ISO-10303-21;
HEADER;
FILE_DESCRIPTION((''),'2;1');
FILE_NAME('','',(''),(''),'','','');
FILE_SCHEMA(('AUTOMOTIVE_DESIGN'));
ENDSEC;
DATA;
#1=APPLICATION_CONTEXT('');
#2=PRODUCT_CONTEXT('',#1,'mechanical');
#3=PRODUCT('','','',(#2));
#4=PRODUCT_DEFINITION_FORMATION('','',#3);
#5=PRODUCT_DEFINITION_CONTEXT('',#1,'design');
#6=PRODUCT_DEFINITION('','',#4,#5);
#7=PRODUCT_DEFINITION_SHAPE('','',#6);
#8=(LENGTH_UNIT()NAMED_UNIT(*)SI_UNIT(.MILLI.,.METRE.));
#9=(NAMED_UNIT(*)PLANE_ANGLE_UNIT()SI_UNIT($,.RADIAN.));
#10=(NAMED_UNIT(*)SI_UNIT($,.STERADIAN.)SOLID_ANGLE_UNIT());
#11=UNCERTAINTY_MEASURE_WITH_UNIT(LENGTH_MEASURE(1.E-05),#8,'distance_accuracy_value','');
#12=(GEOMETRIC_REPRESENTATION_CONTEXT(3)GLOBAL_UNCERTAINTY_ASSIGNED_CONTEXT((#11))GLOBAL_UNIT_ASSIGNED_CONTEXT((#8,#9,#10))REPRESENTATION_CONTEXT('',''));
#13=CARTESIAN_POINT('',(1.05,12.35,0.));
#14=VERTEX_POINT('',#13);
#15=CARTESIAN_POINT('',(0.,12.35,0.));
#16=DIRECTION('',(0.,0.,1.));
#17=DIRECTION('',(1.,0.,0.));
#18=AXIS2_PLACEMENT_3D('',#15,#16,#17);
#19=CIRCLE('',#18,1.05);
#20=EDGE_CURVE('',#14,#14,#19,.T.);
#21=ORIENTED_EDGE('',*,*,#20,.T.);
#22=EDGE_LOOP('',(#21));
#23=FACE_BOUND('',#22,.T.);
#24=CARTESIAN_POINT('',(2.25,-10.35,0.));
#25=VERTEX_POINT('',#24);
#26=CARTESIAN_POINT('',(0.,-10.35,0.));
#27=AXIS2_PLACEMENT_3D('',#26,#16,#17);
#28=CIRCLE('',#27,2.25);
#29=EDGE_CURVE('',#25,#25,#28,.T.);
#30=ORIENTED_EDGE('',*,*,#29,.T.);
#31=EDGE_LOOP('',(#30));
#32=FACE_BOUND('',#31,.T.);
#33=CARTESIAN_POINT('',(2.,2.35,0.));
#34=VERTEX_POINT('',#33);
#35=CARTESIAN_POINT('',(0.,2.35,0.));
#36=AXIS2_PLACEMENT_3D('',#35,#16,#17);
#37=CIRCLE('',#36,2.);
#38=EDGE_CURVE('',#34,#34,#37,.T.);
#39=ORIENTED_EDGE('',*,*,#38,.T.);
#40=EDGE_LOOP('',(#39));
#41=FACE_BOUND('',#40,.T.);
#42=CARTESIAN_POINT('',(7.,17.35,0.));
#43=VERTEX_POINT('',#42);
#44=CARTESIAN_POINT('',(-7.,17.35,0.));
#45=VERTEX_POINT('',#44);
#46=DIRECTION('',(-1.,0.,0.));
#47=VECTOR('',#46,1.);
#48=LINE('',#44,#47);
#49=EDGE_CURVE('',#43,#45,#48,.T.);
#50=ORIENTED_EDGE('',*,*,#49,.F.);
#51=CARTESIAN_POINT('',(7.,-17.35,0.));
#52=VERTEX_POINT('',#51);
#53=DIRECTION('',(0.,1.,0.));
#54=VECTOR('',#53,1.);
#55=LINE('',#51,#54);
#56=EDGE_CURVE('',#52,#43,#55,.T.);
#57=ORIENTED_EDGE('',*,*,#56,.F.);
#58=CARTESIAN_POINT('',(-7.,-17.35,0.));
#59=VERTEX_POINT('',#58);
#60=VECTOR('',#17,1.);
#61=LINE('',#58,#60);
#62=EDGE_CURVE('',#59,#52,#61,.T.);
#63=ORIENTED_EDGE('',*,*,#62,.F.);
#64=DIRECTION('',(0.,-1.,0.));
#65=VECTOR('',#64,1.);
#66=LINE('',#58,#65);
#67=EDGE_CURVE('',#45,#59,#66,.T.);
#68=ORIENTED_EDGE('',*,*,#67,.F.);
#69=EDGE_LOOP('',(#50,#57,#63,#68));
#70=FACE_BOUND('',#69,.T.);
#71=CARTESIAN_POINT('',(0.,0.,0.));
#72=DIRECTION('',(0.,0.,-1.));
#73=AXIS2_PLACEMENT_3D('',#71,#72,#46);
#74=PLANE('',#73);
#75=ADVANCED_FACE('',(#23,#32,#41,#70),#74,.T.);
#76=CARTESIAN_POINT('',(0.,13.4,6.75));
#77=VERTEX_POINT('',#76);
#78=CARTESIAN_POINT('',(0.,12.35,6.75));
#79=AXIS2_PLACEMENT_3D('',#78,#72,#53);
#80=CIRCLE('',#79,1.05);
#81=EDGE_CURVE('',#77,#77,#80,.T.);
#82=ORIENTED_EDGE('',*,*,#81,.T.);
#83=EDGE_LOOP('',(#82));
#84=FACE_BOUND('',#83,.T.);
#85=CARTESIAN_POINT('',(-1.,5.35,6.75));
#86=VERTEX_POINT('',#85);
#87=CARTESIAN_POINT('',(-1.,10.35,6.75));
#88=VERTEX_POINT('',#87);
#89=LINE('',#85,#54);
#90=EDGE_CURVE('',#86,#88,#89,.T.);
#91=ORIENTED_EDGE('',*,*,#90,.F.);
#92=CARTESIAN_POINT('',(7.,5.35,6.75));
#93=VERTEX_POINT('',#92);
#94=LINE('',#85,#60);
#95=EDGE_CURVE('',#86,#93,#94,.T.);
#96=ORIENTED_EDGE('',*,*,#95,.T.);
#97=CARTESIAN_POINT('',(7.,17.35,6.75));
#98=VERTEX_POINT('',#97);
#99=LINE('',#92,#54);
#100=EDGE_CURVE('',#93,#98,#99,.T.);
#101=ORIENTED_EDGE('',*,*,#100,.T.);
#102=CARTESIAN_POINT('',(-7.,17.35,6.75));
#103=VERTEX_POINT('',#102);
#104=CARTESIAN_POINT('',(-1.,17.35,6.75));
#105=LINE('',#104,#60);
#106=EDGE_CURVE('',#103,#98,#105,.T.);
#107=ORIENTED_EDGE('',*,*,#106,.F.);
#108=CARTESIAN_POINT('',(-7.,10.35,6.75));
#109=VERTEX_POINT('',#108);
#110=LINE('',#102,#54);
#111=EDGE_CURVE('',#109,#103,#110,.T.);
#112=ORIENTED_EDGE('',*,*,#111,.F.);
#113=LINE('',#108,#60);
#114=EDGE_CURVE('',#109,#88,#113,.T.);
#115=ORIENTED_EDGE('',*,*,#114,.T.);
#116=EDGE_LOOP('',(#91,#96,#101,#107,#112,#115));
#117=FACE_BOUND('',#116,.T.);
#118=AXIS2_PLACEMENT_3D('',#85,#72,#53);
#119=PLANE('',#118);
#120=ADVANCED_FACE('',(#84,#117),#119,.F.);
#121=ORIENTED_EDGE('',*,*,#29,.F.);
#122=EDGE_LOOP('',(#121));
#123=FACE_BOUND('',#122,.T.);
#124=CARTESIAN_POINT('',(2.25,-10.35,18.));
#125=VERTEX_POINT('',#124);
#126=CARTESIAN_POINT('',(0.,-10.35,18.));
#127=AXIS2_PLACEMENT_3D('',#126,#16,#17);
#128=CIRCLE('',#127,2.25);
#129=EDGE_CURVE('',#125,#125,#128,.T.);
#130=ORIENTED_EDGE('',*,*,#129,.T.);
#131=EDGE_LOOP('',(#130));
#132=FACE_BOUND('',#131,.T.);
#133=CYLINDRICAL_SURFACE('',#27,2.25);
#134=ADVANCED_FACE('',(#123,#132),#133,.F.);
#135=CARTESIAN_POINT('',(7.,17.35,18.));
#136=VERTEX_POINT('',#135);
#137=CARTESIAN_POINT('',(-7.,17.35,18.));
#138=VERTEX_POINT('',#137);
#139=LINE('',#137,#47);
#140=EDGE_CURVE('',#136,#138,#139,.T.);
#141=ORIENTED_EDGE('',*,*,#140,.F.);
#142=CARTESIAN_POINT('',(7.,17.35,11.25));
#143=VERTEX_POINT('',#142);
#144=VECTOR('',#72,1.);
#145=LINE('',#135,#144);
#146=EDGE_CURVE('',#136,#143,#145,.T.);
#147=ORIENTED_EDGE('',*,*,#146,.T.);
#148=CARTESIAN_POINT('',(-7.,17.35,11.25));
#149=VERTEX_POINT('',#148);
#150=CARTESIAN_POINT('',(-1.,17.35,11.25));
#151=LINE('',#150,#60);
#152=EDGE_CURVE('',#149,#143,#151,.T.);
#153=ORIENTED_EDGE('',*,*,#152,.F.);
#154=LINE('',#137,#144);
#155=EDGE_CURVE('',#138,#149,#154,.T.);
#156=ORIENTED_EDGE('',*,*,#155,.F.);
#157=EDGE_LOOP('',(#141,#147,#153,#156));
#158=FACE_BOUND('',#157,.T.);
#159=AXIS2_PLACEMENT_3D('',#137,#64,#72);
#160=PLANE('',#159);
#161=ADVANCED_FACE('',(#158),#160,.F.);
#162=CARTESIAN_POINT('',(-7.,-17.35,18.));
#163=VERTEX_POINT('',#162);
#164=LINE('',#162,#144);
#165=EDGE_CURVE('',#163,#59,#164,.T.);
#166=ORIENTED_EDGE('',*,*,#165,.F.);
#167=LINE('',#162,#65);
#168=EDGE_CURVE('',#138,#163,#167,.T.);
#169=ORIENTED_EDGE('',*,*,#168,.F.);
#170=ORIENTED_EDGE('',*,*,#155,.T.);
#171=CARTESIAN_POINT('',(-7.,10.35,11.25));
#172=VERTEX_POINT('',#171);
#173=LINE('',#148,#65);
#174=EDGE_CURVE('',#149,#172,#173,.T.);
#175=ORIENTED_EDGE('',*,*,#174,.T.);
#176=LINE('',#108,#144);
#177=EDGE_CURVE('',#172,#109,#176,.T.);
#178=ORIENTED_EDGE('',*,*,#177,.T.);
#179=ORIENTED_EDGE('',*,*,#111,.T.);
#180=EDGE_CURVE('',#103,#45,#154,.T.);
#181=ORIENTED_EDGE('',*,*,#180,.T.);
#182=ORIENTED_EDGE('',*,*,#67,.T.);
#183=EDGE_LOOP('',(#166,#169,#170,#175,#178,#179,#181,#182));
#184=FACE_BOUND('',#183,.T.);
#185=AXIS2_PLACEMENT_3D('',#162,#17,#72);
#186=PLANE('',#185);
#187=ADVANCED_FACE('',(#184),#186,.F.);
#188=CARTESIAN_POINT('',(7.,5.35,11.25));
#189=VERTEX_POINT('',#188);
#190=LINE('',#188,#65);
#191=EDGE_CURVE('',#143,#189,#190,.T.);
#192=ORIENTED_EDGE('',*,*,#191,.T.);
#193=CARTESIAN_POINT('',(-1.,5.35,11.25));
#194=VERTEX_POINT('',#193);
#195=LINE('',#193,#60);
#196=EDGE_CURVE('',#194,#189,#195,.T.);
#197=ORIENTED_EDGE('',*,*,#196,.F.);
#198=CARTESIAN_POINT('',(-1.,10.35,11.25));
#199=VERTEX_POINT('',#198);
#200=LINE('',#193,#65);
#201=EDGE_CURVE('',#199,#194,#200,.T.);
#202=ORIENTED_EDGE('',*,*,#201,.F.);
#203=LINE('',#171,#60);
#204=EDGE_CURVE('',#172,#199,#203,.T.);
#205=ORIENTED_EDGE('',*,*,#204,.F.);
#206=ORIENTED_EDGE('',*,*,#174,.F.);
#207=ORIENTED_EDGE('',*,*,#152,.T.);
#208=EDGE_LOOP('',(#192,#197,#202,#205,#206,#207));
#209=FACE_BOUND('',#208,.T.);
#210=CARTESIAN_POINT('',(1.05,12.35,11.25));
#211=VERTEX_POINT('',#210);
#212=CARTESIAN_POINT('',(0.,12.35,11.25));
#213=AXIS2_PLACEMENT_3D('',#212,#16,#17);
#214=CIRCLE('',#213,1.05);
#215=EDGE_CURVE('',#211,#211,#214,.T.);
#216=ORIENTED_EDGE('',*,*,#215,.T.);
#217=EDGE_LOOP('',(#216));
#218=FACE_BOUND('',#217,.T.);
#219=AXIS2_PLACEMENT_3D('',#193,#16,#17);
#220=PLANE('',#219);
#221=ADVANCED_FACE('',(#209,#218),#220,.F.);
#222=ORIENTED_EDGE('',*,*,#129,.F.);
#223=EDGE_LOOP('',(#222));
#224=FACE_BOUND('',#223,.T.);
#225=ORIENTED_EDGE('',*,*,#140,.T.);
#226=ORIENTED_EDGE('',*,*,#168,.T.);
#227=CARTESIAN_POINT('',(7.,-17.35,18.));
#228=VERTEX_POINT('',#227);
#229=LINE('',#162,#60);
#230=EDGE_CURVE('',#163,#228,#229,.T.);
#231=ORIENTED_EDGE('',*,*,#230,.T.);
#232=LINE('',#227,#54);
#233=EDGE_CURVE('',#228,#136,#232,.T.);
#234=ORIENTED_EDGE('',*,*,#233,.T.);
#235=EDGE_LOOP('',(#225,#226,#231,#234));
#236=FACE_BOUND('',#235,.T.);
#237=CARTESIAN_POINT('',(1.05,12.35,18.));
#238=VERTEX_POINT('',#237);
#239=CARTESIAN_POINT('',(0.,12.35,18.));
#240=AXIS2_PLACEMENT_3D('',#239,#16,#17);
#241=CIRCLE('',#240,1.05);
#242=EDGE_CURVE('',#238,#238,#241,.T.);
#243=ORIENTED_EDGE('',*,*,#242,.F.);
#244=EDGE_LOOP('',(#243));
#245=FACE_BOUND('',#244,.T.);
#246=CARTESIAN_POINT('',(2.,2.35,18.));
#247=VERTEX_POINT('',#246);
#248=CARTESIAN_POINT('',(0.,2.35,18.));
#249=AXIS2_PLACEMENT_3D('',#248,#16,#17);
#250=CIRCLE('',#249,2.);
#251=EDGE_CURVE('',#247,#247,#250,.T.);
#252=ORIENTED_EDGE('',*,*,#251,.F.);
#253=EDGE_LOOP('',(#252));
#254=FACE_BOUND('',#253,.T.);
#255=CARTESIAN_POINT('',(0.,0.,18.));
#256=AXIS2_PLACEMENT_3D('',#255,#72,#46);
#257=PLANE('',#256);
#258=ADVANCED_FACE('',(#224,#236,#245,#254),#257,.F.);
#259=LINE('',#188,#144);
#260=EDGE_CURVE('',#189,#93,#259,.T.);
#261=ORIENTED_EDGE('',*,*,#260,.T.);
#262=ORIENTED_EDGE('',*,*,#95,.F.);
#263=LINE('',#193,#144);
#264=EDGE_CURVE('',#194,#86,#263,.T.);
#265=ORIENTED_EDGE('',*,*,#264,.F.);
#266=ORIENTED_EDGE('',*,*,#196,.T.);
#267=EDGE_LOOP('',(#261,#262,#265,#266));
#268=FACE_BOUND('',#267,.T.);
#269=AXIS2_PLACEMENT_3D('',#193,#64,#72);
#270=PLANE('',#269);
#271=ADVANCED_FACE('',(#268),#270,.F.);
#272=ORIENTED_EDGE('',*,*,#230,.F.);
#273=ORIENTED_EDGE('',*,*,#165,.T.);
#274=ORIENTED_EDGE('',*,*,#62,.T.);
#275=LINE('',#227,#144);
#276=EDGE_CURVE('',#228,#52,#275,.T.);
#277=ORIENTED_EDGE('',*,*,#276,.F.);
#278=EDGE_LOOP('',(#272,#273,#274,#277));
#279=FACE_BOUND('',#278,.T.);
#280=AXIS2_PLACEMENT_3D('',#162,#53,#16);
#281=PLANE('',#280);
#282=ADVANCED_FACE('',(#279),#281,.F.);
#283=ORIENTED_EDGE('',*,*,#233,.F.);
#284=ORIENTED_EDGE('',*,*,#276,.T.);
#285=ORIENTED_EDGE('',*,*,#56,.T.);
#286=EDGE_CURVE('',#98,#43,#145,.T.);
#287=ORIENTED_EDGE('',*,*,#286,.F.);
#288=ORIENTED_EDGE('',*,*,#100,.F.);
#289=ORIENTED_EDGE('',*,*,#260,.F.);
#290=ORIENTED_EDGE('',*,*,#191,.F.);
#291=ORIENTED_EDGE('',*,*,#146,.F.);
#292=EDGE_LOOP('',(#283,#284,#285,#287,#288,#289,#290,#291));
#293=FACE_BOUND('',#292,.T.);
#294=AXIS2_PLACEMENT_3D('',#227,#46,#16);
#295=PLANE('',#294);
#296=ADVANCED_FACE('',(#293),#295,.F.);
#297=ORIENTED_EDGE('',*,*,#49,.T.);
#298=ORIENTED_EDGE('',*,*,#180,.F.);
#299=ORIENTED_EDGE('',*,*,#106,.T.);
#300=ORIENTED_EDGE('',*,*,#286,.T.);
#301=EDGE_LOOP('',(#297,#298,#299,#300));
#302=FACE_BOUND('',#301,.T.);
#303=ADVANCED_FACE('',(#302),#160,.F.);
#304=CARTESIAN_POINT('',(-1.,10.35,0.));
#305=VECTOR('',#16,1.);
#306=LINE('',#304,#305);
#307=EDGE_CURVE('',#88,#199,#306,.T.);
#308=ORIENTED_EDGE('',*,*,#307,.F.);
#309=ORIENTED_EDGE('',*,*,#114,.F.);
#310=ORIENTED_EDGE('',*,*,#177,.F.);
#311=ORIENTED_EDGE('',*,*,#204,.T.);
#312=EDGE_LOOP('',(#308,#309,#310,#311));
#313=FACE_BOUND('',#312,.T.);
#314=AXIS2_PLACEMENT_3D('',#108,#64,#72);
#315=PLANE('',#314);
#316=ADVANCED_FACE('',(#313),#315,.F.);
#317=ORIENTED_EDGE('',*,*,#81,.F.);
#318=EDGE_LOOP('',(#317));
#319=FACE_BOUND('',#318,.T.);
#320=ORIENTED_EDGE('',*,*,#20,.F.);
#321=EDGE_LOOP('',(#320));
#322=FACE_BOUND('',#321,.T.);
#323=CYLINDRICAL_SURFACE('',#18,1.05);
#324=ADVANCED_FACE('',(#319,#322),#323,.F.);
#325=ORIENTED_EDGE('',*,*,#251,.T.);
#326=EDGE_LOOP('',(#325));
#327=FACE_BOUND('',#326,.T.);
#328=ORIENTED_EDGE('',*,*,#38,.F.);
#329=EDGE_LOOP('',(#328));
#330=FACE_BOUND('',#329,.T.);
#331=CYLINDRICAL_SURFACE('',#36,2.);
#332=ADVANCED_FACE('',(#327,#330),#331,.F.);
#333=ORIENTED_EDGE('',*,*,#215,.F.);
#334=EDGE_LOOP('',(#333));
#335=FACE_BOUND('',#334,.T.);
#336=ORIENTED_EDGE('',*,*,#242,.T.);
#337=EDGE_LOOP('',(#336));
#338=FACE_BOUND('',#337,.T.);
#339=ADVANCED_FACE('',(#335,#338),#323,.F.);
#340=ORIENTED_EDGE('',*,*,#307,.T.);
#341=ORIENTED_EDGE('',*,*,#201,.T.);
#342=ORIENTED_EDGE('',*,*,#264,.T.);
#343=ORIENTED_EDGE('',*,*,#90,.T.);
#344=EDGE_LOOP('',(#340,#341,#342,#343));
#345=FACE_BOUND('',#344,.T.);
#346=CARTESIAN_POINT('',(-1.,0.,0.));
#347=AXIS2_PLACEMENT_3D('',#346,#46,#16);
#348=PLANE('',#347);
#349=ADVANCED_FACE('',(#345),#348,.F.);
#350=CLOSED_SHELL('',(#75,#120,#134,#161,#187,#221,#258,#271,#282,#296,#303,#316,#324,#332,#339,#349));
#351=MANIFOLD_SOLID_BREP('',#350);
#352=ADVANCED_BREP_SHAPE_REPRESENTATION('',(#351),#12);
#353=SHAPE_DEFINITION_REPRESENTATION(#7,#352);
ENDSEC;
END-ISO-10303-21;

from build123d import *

# Parameters (mm, degrees)
SKETCH2_W           = 14
SKETCH2_H           = 34.7
BOSS_EXTRUDE1_DEPTH = 18
SKETCH3_R           = 2.25
SKETCH3_R_2         = 2
CUT_EXTRUDE1_DEPTH  = 26.961943302
SKETCH4_W           = 4.5
SKETCH4_H           = 12
CUT_EXTRUDE2_DEPTH  = 8
SKETCH5_R           = 1.05
CUT_EXTRUDE3_DEPTH  = 26.961943302
SKETCH8_W           = 4.5
SKETCH8_H           = 7
CUT_EXTRUDE6_DEPTH  = 29.653490189


with BuildPart() as part:
    # Sketch2 → Boss-Extrude1 (new body)
    with BuildSketch(Plane.XY):
        Rectangle(SKETCH2_W, SKETCH2_H)
    extrude(amount=BOSS_EXTRUDE1_DEPTH)

    # Sketch3 → Cut-Extrude1 (cut, through all)
    with BuildSketch(Plane.XY.offset(18)):
        with Locations((0, -10.35)):
            Circle(SKETCH3_R)
        with Locations((0, 2.35)):
            Circle(SKETCH3_R_2)
    extrude(amount=-CUT_EXTRUDE1_DEPTH, mode=Mode.SUBTRACT)

    # Sketch4 → Cut-Extrude2 (cut)
    with BuildSketch(Plane(origin=(7, 0, 0), x_dir=(0, 0, -1), z_dir=(1, 0, 0))):
        with Locations((-9, 11.35)):
            Rectangle(SKETCH4_W, SKETCH4_H)
    extrude(amount=-CUT_EXTRUDE2_DEPTH, mode=Mode.SUBTRACT)

    # Sketch5 → Cut-Extrude3 (cut, through all)
    with BuildSketch(Plane.XY.offset(18)):
        with Locations((0, 12.35)):
            Circle(SKETCH5_R)
    extrude(amount=-CUT_EXTRUDE3_DEPTH, mode=Mode.SUBTRACT)

    # Sketch8 → Cut-Extrude6 (cut, through all)
    with BuildSketch(Plane(origin=(7, 0, 0), x_dir=(0, 0, -1), z_dir=(1, 0, 0))):
        with Locations((-9, 13.85)):
            Rectangle(SKETCH8_W, SKETCH8_H)
    extrude(amount=-CUT_EXTRUDE6_DEPTH, mode=Mode.SUBTRACT)


solid = part.part
